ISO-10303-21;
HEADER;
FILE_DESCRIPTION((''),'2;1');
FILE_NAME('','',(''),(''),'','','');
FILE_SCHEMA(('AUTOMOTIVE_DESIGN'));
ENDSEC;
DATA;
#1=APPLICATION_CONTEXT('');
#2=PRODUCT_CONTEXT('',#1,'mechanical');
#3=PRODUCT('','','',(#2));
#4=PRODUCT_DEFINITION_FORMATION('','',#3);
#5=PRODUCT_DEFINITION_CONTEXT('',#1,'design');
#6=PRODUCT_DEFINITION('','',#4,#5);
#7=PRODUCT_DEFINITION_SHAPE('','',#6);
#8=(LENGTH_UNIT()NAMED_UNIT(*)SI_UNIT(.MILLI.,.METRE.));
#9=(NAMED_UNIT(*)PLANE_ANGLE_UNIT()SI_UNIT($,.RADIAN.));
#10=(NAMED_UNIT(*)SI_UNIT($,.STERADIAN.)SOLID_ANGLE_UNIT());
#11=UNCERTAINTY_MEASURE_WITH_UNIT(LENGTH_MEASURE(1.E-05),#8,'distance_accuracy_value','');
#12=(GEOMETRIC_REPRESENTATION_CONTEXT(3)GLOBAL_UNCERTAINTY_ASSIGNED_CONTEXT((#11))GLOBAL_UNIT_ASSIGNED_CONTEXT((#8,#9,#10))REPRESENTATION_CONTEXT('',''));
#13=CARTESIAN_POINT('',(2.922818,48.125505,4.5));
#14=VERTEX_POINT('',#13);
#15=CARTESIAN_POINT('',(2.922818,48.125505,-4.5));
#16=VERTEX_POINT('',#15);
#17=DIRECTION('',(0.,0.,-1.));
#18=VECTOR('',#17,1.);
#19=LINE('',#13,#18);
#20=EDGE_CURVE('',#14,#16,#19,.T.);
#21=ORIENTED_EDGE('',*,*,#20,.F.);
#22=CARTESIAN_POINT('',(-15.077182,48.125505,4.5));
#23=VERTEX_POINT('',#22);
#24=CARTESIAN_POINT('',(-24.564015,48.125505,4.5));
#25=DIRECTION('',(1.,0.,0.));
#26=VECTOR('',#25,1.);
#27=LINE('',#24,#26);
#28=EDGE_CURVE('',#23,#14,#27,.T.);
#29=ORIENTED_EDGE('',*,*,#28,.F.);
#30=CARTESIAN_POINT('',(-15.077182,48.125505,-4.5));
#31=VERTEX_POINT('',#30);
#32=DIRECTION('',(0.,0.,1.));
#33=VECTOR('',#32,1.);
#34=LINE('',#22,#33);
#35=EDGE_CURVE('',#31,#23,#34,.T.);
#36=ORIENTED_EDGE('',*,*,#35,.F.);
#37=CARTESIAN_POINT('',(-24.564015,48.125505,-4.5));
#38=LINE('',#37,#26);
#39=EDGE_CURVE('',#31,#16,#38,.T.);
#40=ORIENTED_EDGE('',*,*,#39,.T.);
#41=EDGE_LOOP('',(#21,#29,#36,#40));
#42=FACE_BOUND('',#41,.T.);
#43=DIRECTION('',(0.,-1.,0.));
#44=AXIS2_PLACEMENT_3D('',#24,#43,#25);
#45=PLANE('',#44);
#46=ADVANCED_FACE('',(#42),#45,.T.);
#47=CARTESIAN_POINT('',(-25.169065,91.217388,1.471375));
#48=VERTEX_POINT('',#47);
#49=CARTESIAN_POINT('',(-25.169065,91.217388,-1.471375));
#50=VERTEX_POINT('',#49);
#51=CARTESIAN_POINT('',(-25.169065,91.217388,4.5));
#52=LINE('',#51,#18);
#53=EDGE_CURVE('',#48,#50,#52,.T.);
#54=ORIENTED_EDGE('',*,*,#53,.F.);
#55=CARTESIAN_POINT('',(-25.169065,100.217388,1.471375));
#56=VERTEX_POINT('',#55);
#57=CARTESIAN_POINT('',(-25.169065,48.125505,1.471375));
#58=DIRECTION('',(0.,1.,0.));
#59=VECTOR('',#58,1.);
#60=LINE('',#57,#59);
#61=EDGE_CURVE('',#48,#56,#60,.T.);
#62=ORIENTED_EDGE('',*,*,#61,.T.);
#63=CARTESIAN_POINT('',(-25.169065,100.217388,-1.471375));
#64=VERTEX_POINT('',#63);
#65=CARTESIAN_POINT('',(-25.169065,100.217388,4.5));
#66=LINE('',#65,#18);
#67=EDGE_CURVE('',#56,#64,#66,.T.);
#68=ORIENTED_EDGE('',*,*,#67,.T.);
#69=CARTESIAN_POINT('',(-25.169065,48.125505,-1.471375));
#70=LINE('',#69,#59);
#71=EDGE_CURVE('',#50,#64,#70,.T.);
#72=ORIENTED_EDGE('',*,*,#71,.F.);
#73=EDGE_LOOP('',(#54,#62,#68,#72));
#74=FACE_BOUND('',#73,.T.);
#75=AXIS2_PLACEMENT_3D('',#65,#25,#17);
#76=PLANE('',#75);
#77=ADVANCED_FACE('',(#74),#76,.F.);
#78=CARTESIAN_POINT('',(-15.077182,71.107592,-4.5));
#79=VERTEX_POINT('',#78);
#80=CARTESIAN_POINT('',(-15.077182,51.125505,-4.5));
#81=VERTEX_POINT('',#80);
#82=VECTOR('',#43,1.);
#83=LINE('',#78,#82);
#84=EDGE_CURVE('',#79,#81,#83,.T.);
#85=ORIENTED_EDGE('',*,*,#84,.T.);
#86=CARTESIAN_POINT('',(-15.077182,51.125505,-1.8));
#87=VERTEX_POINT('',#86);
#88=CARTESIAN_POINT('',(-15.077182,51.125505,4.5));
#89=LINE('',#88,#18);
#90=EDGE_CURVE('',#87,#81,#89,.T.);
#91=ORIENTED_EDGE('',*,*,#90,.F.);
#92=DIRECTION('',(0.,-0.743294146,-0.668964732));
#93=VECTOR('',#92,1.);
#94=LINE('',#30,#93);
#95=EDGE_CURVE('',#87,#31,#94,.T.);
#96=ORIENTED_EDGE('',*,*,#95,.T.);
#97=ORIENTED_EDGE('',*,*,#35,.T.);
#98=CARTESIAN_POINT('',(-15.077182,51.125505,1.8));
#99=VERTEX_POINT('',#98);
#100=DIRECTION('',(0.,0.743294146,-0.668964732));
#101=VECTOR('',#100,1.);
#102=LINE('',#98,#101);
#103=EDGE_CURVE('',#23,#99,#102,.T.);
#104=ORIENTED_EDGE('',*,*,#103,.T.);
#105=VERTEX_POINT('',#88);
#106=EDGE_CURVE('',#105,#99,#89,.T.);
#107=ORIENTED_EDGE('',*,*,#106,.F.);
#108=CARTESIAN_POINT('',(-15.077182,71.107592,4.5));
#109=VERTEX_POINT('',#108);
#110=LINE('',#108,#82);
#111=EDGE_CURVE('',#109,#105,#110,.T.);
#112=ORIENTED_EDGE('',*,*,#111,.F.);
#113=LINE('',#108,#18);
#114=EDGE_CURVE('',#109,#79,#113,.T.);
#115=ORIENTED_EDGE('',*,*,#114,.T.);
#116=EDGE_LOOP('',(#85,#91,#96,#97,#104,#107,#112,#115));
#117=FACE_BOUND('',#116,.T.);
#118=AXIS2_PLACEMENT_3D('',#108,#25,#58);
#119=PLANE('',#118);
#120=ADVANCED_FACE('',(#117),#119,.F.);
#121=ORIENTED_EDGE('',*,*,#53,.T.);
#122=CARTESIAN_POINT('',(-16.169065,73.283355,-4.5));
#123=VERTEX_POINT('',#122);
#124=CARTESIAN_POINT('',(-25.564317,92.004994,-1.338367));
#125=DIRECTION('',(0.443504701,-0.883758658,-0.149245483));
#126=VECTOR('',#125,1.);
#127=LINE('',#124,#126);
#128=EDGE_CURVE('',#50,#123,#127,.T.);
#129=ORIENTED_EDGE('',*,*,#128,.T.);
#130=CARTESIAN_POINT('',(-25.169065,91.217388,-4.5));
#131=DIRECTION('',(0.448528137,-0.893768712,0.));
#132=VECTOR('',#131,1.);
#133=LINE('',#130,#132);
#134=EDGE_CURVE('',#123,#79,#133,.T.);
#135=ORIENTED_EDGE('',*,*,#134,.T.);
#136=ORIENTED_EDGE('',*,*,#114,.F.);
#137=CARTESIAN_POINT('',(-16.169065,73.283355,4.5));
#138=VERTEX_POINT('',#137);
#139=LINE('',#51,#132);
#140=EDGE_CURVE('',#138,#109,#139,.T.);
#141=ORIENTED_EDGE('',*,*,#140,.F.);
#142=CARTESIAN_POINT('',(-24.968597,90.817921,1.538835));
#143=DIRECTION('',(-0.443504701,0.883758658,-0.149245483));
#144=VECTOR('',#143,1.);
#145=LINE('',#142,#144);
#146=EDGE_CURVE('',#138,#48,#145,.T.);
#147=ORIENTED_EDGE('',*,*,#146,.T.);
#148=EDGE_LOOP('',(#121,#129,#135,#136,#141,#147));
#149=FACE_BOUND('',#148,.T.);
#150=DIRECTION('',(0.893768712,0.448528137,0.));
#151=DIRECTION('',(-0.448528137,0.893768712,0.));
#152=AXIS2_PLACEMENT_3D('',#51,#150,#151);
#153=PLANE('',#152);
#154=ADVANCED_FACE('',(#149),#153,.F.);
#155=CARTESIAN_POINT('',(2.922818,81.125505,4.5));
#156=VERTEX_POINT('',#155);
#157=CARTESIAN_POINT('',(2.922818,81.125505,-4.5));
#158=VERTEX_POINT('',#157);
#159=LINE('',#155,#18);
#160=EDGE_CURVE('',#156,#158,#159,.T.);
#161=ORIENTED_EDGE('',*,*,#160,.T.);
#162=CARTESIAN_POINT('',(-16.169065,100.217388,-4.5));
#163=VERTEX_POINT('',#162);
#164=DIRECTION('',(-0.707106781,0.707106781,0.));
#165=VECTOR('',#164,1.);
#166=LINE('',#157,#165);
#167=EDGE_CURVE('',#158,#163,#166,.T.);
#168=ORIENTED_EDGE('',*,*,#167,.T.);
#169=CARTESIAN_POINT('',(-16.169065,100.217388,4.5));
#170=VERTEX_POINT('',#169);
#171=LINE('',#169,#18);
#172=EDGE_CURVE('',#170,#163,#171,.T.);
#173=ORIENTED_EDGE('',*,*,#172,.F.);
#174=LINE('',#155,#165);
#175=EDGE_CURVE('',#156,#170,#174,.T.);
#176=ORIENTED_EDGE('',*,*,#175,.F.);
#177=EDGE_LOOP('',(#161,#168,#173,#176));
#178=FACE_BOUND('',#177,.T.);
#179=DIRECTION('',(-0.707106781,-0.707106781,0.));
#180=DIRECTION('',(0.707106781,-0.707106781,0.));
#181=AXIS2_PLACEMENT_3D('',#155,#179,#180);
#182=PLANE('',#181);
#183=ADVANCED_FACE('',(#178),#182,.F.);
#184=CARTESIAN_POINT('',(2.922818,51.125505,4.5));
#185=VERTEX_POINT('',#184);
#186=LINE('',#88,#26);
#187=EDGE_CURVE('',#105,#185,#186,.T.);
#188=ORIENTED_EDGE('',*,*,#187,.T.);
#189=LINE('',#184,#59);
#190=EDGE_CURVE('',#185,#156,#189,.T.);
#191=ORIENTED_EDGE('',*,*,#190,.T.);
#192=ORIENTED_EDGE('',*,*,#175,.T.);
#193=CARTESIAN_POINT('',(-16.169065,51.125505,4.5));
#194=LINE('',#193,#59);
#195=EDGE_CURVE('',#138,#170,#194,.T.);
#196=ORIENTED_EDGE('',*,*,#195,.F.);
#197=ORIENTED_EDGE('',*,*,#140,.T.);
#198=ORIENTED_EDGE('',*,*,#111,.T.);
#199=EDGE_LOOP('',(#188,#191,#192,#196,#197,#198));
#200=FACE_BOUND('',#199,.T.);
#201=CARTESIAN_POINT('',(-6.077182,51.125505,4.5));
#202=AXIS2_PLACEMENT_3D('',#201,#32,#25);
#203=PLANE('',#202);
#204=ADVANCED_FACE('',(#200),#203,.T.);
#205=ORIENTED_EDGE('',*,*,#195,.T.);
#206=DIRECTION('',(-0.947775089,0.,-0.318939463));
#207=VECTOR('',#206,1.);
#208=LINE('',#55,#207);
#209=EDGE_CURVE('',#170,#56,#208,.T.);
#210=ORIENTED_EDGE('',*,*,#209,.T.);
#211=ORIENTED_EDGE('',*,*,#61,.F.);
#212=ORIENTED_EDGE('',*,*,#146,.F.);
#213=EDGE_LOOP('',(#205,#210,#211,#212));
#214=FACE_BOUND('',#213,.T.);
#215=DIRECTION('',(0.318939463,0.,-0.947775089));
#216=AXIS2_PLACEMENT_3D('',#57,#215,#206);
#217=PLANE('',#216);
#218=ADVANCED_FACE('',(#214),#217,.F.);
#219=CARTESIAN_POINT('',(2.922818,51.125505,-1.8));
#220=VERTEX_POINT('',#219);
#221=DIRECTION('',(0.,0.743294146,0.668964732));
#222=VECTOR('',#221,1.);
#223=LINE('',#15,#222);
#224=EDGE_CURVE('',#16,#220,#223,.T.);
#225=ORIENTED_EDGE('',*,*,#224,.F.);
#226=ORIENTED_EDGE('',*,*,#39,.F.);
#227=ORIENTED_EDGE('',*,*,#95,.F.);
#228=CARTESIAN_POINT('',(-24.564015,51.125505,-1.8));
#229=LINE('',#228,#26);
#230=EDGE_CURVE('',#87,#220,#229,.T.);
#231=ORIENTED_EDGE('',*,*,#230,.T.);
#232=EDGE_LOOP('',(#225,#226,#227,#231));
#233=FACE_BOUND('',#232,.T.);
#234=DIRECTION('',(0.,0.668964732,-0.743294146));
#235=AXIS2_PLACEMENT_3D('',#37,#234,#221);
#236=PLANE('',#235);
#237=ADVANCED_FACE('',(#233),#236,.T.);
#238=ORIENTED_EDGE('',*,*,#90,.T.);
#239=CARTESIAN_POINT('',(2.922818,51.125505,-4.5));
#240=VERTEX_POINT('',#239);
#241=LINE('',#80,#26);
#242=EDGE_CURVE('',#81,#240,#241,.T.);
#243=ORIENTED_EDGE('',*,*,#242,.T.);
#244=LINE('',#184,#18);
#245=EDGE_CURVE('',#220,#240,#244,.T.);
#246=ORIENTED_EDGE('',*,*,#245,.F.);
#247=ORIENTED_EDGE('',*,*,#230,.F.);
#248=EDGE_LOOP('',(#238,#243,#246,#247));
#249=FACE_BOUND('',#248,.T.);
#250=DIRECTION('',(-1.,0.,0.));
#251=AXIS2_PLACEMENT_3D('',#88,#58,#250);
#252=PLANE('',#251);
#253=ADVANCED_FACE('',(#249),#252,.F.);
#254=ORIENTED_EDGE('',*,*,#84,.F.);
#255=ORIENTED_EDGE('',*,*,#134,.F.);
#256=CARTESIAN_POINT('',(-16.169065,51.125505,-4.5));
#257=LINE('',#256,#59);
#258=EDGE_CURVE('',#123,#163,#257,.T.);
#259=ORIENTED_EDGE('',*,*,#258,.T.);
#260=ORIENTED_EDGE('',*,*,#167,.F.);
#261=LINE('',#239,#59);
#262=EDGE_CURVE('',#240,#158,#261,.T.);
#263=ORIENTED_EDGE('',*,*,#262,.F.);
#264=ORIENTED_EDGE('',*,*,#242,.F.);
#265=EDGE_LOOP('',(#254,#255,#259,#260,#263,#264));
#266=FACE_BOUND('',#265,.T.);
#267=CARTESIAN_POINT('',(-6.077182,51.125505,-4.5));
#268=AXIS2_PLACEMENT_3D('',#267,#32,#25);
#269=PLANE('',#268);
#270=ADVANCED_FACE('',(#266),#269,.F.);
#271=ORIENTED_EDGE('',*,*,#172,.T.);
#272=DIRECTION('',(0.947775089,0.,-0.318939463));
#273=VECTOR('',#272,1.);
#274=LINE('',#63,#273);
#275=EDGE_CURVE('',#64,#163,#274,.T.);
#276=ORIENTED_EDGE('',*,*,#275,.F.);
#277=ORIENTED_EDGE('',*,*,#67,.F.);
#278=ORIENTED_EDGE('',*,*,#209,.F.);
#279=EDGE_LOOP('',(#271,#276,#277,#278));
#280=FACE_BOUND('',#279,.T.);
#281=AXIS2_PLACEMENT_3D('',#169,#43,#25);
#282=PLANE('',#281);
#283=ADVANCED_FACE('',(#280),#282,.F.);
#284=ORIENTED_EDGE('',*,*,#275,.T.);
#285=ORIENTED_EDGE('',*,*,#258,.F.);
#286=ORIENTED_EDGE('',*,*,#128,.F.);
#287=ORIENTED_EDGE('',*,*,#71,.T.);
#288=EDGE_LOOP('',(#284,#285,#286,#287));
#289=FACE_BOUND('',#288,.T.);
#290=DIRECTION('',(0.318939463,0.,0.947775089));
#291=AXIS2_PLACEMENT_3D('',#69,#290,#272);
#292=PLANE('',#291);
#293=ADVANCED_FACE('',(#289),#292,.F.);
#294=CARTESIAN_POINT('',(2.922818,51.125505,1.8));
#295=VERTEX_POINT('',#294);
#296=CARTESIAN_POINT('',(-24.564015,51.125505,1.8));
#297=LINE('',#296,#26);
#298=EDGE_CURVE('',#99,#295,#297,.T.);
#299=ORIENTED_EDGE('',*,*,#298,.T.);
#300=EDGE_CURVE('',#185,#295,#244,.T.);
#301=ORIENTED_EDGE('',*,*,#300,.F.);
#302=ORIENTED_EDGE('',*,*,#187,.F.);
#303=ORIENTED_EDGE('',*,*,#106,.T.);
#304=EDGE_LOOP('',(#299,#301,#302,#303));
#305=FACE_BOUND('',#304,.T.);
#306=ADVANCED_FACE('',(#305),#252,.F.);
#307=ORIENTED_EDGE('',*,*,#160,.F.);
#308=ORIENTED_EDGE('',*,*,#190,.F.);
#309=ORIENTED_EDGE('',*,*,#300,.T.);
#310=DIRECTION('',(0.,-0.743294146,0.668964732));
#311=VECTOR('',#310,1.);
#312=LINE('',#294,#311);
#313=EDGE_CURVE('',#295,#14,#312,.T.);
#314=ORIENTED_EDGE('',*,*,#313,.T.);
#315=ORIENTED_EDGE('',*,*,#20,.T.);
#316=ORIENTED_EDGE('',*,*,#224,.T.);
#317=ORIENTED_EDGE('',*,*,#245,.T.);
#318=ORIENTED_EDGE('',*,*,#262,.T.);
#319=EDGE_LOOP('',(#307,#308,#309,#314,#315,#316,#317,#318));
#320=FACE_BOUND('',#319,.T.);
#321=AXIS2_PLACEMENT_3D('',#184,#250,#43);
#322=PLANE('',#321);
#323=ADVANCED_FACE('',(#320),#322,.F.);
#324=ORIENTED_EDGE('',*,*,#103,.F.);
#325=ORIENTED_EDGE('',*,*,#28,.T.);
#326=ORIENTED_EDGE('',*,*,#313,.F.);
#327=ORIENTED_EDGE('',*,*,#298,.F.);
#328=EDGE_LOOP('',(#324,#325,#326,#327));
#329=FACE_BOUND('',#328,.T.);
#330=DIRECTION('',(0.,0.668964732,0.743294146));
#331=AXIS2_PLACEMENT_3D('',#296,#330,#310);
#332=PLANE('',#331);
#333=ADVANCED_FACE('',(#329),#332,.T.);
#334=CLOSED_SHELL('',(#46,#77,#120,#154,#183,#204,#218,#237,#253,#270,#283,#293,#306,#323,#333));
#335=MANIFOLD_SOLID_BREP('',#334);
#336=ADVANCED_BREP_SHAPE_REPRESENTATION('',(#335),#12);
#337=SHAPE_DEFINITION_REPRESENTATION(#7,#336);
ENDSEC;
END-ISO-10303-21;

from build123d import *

# Parameters (mm, degrees)
BOSS_EXTRUDE1_DEPTH = 15
BOSS_EXTRUDE2_DEPTH = 60
CUT_EXTRUDE1_DEPTH  = 174.639610307
SCALE1_SCALE        = 0.3


with BuildPart() as part:
    # Sketch1 → Boss-Extrude1 (new body, symmetric)
    with BuildSketch(Plane.XY):
        Polygon((30, 0), (30, 100), (-33.639610307, 163.639610307), (-63.639610307, 163.639610307), (-63.639610307, 133.639610307), (-30, 66.606956932), (-30, 0), align=None)
    extrude(amount=BOSS_EXTRUDE1_DEPTH, both=True)

    # Sketch2 → Boss-Extrude2 (add)
    with BuildSketch(Plane(origin=(30, 0, 0), x_dir=(0, 0, -1), z_dir=(1, 0, 0))):
        Polygon((-15, -10), (15, -10), (6, 0), (-6, 0), align=None)
    extrude(amount=-BOSS_EXTRUDE2_DEPTH)

    # Sketch3 → Cut-Extrude1 (cut, through all)
    with BuildSketch(Plane(origin=(0, 163.639610307, 0), x_dir=(1, 0, 0), z_dir=(0, 1, 0))):
        Polygon((-63.639610307, 4.904583897), (-33.639610307, 15), (-33.639610307, 32.919088084), (-75.208668343, 32.919088084), (-75.208668343, 4.904583897), align=None)
        Polygon((-75.208668343, -32.919088084), (-75.208668343, -4.904583897), (-63.639610307, -4.904583897), (-33.639610307, -15), (-33.639610307, -32.919088084), align=None)
    extrude(amount=-CUT_EXTRUDE1_DEPTH, mode=Mode.SUBTRACT)


with BuildPart() as part_1:
    # Scale1: scaled about (-8.681688246, 73.036435377, 0)
    add(part.part.scale(SCALE1_SCALE).moved(Location((-6.077181772, 51.125504764, 0))))


solid = part_1.part
